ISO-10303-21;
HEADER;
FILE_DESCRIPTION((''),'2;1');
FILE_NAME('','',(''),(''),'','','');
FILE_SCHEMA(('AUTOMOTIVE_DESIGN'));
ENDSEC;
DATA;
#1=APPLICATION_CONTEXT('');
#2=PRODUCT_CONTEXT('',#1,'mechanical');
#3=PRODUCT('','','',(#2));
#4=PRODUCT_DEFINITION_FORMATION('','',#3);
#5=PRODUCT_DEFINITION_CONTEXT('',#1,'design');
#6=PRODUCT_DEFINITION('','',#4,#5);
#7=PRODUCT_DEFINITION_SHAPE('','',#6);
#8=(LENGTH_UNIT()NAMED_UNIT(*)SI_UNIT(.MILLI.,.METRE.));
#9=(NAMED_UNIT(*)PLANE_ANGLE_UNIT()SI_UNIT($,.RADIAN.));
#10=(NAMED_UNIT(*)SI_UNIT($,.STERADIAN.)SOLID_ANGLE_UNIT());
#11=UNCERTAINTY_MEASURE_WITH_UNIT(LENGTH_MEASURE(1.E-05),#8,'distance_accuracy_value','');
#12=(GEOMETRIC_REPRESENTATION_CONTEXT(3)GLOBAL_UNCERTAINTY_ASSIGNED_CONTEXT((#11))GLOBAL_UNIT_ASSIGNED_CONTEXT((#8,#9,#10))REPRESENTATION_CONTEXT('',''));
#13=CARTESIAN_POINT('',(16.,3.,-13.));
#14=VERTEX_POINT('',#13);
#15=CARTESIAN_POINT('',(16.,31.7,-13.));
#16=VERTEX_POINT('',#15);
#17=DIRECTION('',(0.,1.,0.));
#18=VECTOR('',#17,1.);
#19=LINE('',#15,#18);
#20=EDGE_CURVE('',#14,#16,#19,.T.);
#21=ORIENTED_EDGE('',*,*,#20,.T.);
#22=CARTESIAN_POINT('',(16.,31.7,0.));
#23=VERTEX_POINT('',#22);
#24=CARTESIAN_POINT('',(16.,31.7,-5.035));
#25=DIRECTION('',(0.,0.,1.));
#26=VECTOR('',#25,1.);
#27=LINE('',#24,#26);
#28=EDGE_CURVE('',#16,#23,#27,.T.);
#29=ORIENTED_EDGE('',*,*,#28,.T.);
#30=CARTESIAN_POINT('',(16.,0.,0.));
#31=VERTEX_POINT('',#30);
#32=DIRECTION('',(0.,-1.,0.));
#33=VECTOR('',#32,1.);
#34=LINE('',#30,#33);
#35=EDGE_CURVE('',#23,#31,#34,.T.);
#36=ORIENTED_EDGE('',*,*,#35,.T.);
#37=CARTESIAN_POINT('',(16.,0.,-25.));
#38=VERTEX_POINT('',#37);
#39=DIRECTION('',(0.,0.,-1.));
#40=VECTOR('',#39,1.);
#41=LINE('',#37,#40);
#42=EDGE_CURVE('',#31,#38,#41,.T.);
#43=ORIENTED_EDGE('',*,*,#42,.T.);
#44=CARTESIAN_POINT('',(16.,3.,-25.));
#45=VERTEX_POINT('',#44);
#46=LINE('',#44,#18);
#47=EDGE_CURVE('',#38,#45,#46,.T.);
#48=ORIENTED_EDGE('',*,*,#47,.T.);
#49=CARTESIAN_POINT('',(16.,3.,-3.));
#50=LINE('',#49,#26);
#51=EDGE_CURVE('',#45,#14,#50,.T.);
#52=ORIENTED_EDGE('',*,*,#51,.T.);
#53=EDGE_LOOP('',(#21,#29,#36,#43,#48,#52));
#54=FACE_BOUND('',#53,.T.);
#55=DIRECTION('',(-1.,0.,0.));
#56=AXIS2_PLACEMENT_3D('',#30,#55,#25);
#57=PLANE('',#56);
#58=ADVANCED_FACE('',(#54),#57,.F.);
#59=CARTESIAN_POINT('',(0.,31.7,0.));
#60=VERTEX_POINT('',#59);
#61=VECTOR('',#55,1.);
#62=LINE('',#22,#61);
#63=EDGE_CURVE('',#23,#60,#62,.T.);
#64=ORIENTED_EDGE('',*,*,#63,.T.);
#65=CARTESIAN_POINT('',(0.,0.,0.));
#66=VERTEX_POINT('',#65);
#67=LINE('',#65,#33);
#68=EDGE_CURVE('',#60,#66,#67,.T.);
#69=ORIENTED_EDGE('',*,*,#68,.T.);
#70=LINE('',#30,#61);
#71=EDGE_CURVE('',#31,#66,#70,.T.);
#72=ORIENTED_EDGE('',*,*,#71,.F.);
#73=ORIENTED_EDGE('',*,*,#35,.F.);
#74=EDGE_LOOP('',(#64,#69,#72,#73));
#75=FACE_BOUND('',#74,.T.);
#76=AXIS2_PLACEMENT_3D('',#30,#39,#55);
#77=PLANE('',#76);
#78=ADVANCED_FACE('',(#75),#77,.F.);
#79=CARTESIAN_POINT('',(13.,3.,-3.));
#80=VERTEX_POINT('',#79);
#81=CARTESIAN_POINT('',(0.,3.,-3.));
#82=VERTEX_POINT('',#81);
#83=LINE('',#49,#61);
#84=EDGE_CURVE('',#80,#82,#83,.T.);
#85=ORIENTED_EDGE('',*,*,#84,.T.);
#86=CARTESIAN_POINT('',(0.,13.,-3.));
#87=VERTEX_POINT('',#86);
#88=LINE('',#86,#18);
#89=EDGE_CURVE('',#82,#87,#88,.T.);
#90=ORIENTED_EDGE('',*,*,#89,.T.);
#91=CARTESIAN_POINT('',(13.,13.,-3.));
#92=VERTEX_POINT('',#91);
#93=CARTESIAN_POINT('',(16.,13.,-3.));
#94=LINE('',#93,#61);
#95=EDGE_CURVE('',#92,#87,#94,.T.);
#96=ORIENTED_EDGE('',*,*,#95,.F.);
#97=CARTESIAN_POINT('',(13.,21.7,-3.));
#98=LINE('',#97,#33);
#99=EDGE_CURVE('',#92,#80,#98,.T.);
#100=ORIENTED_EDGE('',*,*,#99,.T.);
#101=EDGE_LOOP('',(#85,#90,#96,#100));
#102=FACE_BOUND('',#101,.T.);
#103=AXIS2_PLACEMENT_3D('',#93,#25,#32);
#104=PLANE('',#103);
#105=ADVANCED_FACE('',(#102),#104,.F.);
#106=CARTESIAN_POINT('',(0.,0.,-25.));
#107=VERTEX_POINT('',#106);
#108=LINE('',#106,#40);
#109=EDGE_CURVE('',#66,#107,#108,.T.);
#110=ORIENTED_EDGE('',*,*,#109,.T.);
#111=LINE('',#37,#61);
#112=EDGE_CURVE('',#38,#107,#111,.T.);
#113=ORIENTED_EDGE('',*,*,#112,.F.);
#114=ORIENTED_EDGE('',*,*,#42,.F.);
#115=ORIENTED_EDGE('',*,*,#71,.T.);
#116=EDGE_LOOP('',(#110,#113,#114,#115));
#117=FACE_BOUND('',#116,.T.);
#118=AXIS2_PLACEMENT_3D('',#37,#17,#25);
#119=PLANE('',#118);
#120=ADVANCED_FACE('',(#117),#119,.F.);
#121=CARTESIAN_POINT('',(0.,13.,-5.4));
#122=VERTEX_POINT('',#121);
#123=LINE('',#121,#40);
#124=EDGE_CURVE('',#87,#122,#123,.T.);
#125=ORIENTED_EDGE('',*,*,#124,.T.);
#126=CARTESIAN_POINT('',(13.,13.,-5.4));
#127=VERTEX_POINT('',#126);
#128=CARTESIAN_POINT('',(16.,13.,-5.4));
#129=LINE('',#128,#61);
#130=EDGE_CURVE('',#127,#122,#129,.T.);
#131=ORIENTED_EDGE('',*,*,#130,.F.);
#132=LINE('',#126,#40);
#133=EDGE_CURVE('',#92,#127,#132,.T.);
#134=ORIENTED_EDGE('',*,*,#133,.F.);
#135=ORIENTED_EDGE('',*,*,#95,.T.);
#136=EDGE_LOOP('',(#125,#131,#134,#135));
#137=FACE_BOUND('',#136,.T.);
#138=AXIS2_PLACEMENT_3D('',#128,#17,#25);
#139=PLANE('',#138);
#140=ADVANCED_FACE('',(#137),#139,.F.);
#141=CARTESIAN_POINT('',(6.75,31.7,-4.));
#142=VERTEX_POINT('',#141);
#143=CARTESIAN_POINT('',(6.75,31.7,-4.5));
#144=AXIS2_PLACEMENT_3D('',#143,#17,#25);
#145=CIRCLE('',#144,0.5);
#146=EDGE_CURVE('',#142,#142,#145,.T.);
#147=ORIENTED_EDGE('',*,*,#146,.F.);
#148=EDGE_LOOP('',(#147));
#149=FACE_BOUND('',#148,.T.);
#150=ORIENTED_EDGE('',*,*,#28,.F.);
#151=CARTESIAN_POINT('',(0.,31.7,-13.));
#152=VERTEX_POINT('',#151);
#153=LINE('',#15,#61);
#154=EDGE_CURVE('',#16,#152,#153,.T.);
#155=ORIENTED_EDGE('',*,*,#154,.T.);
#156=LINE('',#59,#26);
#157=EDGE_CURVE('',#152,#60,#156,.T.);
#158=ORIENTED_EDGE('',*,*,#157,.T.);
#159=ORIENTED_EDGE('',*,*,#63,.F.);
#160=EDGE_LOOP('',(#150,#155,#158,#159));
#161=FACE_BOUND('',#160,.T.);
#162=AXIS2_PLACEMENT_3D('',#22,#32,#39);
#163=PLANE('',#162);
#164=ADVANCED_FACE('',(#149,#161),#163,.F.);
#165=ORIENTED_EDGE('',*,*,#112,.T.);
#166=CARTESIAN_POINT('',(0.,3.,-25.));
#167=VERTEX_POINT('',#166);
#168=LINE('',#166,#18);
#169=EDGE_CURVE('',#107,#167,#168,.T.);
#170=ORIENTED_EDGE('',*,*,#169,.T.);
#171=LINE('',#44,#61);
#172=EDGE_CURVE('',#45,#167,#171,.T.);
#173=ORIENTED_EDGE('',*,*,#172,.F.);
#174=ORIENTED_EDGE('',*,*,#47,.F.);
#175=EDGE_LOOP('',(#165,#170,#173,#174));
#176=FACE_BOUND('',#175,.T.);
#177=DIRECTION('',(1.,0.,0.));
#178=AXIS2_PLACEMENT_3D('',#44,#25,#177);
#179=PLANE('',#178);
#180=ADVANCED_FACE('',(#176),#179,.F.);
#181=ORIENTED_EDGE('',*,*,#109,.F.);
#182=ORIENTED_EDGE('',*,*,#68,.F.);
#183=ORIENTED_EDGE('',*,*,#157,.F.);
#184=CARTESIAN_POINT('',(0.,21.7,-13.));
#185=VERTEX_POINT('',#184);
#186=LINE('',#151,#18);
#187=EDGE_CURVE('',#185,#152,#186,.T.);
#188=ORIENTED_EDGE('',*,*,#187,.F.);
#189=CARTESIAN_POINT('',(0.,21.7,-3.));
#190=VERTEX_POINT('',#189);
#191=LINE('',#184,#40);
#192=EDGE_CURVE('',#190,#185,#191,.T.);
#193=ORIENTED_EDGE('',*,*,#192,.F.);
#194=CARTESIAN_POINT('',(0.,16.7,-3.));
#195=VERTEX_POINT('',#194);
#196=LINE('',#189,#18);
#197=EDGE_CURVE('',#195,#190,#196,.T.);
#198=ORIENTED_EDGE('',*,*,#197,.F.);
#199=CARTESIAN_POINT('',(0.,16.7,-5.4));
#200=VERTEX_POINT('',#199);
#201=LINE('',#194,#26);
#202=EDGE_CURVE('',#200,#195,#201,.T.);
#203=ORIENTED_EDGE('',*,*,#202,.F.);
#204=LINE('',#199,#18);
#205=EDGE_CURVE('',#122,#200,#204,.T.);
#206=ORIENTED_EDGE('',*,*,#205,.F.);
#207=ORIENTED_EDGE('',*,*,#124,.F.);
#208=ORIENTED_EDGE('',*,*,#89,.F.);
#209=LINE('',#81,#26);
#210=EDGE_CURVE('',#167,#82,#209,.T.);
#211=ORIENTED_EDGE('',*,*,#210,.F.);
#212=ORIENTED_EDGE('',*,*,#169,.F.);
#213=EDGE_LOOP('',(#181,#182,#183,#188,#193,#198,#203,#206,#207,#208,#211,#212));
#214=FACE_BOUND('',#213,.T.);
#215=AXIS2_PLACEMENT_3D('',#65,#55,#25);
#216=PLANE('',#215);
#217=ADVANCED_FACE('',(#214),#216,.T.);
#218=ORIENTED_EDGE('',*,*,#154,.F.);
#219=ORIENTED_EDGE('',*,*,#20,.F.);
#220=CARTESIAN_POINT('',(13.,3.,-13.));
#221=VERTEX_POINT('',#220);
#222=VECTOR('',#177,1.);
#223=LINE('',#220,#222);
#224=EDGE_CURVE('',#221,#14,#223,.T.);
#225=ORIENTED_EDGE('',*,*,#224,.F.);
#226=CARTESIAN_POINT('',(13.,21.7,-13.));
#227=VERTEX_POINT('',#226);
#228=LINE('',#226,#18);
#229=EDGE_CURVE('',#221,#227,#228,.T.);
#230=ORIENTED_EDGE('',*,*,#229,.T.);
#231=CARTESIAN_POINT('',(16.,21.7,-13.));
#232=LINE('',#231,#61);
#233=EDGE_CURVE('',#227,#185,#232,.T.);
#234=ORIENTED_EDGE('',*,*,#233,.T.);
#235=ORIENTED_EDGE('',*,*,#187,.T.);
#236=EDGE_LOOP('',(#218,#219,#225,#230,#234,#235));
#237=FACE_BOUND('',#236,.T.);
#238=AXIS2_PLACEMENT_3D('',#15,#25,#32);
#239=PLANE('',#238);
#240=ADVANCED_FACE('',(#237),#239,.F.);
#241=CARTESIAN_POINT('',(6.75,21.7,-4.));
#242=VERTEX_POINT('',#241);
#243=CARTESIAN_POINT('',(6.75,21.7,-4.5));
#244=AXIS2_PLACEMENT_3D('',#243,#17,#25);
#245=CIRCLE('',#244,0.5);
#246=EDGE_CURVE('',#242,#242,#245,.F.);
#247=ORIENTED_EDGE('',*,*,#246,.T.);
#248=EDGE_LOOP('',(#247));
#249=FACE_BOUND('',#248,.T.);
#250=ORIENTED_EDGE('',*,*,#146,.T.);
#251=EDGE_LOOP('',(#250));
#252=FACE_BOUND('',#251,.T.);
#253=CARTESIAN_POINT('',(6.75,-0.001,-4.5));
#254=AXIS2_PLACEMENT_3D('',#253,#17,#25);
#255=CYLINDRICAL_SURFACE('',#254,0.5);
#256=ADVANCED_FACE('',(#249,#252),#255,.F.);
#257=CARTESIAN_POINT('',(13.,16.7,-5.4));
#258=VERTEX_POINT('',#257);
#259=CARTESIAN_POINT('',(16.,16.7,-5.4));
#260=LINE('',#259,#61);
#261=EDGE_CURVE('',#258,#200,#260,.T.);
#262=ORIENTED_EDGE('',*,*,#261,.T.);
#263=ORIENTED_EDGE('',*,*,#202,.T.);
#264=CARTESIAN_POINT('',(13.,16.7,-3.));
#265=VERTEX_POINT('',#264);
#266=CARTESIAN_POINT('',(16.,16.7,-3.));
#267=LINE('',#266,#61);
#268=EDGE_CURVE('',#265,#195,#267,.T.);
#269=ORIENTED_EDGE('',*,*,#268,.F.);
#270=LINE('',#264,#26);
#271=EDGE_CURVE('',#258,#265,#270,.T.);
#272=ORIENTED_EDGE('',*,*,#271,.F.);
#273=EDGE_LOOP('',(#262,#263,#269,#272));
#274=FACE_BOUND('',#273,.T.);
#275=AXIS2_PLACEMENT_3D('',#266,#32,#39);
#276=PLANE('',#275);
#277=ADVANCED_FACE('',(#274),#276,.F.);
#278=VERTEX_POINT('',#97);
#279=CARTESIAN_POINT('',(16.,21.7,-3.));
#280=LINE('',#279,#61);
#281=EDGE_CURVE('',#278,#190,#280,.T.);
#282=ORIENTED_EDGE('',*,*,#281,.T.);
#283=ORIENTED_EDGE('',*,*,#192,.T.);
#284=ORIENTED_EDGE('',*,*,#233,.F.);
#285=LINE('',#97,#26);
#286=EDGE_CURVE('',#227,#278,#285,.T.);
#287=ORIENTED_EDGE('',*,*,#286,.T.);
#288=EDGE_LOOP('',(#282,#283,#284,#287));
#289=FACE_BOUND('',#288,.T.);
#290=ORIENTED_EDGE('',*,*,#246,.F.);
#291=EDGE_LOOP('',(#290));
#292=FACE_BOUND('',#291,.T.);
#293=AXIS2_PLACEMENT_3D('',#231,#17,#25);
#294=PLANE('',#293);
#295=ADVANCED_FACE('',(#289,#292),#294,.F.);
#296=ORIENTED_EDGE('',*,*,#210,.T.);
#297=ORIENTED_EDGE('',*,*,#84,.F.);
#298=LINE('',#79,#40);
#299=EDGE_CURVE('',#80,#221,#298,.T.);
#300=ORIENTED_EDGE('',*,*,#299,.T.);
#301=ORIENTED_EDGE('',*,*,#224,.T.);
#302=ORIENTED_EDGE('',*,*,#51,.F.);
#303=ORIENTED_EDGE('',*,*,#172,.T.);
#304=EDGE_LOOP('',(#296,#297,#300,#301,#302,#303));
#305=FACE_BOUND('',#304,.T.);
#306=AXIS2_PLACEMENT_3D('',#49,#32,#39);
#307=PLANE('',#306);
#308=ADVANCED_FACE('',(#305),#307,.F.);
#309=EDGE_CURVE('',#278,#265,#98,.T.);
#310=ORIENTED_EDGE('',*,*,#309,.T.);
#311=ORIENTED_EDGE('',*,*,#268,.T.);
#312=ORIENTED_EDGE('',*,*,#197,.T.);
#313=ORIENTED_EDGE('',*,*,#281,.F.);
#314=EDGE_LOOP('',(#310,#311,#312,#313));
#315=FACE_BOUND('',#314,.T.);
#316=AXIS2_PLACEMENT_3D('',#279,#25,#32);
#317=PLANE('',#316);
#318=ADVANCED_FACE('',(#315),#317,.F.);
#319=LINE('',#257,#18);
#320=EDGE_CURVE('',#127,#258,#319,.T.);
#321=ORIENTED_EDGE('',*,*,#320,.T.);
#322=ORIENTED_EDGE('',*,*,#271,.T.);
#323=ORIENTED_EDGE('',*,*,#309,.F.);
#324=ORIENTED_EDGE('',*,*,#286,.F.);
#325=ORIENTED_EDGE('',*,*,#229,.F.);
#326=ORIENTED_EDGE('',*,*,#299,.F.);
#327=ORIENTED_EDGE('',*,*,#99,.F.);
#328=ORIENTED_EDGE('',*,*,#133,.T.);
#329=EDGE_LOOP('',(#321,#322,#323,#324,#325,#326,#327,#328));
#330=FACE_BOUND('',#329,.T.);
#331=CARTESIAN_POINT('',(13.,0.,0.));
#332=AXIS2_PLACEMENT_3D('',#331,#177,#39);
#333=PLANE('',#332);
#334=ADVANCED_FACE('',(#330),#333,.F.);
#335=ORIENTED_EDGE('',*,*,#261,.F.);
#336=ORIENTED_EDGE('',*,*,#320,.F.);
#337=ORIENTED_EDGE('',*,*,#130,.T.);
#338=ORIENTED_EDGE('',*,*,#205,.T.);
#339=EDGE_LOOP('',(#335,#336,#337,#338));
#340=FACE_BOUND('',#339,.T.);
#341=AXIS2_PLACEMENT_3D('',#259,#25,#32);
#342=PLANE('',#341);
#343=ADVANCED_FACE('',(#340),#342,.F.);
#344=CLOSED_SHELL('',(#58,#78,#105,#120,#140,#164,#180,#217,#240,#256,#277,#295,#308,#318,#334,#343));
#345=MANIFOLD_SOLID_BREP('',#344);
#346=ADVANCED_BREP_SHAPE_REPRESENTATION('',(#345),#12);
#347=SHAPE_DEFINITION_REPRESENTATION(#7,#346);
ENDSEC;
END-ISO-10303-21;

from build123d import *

# Parameters (mm, degrees)
BOSS_EXTRUDE1_DEPTH = 16
SKETCH2_W           = 10
SKETCH2_H           = 18.7
BOSS_EXTRUDE2_DEPTH = 3
CUT_EXTRUDE1_REACH  = 33.7
SKETCH3_R           = 0.5


with BuildPart() as part:
    # Sketch1 → Boss-Extrude1 (new body)
    with BuildSketch(Plane(origin=(0, 0, 0), x_dir=(0, 0, -1), z_dir=(1, 0, 0))):
        Polygon((25, 0), (0, 0), (0, 31.7), (5.035, 31.7), (13, 31.7), (13, 21.7), (3, 21.7), (3, 16.7), (5.4, 16.7), (5.4, 13), (3, 13), (3, 3), (25, 3), align=None)
    extrude(amount=BOSS_EXTRUDE1_DEPTH)

    # Sketch2 → Boss-Extrude2 (add)
    with BuildSketch(Plane(origin=(16, 0, 0), x_dir=(0, 0, -1), z_dir=(1, 0, 0))):
        with Locations((8, 12.35)):
            Rectangle(SKETCH2_W, SKETCH2_H)
    extrude(amount=-BOSS_EXTRUDE2_DEPTH)

    # Sketch3 → Cut-Extrude1 (cut, up to next)
    with BuildSketch(Plane(origin=(0, 31.7, 0), x_dir=(1, 0, 0), z_dir=(0, 1, 0)), mode=Mode.PRIVATE) as cut_extrude1_sk1:
        with Locations((6.75, 4.5)):
            Circle(SKETCH3_R)
    cut_extrude1_tool1 = extrude(cut_extrude1_sk1.sketch, amount=-CUT_EXTRUDE1_REACH, mode=Mode.PRIVATE) & part.part
    add(cut_extrude1_tool1.solids().sort_by_distance((6.75, 31.7, -4.5))[0], mode=Mode.SUBTRACT)


solid = part.part
